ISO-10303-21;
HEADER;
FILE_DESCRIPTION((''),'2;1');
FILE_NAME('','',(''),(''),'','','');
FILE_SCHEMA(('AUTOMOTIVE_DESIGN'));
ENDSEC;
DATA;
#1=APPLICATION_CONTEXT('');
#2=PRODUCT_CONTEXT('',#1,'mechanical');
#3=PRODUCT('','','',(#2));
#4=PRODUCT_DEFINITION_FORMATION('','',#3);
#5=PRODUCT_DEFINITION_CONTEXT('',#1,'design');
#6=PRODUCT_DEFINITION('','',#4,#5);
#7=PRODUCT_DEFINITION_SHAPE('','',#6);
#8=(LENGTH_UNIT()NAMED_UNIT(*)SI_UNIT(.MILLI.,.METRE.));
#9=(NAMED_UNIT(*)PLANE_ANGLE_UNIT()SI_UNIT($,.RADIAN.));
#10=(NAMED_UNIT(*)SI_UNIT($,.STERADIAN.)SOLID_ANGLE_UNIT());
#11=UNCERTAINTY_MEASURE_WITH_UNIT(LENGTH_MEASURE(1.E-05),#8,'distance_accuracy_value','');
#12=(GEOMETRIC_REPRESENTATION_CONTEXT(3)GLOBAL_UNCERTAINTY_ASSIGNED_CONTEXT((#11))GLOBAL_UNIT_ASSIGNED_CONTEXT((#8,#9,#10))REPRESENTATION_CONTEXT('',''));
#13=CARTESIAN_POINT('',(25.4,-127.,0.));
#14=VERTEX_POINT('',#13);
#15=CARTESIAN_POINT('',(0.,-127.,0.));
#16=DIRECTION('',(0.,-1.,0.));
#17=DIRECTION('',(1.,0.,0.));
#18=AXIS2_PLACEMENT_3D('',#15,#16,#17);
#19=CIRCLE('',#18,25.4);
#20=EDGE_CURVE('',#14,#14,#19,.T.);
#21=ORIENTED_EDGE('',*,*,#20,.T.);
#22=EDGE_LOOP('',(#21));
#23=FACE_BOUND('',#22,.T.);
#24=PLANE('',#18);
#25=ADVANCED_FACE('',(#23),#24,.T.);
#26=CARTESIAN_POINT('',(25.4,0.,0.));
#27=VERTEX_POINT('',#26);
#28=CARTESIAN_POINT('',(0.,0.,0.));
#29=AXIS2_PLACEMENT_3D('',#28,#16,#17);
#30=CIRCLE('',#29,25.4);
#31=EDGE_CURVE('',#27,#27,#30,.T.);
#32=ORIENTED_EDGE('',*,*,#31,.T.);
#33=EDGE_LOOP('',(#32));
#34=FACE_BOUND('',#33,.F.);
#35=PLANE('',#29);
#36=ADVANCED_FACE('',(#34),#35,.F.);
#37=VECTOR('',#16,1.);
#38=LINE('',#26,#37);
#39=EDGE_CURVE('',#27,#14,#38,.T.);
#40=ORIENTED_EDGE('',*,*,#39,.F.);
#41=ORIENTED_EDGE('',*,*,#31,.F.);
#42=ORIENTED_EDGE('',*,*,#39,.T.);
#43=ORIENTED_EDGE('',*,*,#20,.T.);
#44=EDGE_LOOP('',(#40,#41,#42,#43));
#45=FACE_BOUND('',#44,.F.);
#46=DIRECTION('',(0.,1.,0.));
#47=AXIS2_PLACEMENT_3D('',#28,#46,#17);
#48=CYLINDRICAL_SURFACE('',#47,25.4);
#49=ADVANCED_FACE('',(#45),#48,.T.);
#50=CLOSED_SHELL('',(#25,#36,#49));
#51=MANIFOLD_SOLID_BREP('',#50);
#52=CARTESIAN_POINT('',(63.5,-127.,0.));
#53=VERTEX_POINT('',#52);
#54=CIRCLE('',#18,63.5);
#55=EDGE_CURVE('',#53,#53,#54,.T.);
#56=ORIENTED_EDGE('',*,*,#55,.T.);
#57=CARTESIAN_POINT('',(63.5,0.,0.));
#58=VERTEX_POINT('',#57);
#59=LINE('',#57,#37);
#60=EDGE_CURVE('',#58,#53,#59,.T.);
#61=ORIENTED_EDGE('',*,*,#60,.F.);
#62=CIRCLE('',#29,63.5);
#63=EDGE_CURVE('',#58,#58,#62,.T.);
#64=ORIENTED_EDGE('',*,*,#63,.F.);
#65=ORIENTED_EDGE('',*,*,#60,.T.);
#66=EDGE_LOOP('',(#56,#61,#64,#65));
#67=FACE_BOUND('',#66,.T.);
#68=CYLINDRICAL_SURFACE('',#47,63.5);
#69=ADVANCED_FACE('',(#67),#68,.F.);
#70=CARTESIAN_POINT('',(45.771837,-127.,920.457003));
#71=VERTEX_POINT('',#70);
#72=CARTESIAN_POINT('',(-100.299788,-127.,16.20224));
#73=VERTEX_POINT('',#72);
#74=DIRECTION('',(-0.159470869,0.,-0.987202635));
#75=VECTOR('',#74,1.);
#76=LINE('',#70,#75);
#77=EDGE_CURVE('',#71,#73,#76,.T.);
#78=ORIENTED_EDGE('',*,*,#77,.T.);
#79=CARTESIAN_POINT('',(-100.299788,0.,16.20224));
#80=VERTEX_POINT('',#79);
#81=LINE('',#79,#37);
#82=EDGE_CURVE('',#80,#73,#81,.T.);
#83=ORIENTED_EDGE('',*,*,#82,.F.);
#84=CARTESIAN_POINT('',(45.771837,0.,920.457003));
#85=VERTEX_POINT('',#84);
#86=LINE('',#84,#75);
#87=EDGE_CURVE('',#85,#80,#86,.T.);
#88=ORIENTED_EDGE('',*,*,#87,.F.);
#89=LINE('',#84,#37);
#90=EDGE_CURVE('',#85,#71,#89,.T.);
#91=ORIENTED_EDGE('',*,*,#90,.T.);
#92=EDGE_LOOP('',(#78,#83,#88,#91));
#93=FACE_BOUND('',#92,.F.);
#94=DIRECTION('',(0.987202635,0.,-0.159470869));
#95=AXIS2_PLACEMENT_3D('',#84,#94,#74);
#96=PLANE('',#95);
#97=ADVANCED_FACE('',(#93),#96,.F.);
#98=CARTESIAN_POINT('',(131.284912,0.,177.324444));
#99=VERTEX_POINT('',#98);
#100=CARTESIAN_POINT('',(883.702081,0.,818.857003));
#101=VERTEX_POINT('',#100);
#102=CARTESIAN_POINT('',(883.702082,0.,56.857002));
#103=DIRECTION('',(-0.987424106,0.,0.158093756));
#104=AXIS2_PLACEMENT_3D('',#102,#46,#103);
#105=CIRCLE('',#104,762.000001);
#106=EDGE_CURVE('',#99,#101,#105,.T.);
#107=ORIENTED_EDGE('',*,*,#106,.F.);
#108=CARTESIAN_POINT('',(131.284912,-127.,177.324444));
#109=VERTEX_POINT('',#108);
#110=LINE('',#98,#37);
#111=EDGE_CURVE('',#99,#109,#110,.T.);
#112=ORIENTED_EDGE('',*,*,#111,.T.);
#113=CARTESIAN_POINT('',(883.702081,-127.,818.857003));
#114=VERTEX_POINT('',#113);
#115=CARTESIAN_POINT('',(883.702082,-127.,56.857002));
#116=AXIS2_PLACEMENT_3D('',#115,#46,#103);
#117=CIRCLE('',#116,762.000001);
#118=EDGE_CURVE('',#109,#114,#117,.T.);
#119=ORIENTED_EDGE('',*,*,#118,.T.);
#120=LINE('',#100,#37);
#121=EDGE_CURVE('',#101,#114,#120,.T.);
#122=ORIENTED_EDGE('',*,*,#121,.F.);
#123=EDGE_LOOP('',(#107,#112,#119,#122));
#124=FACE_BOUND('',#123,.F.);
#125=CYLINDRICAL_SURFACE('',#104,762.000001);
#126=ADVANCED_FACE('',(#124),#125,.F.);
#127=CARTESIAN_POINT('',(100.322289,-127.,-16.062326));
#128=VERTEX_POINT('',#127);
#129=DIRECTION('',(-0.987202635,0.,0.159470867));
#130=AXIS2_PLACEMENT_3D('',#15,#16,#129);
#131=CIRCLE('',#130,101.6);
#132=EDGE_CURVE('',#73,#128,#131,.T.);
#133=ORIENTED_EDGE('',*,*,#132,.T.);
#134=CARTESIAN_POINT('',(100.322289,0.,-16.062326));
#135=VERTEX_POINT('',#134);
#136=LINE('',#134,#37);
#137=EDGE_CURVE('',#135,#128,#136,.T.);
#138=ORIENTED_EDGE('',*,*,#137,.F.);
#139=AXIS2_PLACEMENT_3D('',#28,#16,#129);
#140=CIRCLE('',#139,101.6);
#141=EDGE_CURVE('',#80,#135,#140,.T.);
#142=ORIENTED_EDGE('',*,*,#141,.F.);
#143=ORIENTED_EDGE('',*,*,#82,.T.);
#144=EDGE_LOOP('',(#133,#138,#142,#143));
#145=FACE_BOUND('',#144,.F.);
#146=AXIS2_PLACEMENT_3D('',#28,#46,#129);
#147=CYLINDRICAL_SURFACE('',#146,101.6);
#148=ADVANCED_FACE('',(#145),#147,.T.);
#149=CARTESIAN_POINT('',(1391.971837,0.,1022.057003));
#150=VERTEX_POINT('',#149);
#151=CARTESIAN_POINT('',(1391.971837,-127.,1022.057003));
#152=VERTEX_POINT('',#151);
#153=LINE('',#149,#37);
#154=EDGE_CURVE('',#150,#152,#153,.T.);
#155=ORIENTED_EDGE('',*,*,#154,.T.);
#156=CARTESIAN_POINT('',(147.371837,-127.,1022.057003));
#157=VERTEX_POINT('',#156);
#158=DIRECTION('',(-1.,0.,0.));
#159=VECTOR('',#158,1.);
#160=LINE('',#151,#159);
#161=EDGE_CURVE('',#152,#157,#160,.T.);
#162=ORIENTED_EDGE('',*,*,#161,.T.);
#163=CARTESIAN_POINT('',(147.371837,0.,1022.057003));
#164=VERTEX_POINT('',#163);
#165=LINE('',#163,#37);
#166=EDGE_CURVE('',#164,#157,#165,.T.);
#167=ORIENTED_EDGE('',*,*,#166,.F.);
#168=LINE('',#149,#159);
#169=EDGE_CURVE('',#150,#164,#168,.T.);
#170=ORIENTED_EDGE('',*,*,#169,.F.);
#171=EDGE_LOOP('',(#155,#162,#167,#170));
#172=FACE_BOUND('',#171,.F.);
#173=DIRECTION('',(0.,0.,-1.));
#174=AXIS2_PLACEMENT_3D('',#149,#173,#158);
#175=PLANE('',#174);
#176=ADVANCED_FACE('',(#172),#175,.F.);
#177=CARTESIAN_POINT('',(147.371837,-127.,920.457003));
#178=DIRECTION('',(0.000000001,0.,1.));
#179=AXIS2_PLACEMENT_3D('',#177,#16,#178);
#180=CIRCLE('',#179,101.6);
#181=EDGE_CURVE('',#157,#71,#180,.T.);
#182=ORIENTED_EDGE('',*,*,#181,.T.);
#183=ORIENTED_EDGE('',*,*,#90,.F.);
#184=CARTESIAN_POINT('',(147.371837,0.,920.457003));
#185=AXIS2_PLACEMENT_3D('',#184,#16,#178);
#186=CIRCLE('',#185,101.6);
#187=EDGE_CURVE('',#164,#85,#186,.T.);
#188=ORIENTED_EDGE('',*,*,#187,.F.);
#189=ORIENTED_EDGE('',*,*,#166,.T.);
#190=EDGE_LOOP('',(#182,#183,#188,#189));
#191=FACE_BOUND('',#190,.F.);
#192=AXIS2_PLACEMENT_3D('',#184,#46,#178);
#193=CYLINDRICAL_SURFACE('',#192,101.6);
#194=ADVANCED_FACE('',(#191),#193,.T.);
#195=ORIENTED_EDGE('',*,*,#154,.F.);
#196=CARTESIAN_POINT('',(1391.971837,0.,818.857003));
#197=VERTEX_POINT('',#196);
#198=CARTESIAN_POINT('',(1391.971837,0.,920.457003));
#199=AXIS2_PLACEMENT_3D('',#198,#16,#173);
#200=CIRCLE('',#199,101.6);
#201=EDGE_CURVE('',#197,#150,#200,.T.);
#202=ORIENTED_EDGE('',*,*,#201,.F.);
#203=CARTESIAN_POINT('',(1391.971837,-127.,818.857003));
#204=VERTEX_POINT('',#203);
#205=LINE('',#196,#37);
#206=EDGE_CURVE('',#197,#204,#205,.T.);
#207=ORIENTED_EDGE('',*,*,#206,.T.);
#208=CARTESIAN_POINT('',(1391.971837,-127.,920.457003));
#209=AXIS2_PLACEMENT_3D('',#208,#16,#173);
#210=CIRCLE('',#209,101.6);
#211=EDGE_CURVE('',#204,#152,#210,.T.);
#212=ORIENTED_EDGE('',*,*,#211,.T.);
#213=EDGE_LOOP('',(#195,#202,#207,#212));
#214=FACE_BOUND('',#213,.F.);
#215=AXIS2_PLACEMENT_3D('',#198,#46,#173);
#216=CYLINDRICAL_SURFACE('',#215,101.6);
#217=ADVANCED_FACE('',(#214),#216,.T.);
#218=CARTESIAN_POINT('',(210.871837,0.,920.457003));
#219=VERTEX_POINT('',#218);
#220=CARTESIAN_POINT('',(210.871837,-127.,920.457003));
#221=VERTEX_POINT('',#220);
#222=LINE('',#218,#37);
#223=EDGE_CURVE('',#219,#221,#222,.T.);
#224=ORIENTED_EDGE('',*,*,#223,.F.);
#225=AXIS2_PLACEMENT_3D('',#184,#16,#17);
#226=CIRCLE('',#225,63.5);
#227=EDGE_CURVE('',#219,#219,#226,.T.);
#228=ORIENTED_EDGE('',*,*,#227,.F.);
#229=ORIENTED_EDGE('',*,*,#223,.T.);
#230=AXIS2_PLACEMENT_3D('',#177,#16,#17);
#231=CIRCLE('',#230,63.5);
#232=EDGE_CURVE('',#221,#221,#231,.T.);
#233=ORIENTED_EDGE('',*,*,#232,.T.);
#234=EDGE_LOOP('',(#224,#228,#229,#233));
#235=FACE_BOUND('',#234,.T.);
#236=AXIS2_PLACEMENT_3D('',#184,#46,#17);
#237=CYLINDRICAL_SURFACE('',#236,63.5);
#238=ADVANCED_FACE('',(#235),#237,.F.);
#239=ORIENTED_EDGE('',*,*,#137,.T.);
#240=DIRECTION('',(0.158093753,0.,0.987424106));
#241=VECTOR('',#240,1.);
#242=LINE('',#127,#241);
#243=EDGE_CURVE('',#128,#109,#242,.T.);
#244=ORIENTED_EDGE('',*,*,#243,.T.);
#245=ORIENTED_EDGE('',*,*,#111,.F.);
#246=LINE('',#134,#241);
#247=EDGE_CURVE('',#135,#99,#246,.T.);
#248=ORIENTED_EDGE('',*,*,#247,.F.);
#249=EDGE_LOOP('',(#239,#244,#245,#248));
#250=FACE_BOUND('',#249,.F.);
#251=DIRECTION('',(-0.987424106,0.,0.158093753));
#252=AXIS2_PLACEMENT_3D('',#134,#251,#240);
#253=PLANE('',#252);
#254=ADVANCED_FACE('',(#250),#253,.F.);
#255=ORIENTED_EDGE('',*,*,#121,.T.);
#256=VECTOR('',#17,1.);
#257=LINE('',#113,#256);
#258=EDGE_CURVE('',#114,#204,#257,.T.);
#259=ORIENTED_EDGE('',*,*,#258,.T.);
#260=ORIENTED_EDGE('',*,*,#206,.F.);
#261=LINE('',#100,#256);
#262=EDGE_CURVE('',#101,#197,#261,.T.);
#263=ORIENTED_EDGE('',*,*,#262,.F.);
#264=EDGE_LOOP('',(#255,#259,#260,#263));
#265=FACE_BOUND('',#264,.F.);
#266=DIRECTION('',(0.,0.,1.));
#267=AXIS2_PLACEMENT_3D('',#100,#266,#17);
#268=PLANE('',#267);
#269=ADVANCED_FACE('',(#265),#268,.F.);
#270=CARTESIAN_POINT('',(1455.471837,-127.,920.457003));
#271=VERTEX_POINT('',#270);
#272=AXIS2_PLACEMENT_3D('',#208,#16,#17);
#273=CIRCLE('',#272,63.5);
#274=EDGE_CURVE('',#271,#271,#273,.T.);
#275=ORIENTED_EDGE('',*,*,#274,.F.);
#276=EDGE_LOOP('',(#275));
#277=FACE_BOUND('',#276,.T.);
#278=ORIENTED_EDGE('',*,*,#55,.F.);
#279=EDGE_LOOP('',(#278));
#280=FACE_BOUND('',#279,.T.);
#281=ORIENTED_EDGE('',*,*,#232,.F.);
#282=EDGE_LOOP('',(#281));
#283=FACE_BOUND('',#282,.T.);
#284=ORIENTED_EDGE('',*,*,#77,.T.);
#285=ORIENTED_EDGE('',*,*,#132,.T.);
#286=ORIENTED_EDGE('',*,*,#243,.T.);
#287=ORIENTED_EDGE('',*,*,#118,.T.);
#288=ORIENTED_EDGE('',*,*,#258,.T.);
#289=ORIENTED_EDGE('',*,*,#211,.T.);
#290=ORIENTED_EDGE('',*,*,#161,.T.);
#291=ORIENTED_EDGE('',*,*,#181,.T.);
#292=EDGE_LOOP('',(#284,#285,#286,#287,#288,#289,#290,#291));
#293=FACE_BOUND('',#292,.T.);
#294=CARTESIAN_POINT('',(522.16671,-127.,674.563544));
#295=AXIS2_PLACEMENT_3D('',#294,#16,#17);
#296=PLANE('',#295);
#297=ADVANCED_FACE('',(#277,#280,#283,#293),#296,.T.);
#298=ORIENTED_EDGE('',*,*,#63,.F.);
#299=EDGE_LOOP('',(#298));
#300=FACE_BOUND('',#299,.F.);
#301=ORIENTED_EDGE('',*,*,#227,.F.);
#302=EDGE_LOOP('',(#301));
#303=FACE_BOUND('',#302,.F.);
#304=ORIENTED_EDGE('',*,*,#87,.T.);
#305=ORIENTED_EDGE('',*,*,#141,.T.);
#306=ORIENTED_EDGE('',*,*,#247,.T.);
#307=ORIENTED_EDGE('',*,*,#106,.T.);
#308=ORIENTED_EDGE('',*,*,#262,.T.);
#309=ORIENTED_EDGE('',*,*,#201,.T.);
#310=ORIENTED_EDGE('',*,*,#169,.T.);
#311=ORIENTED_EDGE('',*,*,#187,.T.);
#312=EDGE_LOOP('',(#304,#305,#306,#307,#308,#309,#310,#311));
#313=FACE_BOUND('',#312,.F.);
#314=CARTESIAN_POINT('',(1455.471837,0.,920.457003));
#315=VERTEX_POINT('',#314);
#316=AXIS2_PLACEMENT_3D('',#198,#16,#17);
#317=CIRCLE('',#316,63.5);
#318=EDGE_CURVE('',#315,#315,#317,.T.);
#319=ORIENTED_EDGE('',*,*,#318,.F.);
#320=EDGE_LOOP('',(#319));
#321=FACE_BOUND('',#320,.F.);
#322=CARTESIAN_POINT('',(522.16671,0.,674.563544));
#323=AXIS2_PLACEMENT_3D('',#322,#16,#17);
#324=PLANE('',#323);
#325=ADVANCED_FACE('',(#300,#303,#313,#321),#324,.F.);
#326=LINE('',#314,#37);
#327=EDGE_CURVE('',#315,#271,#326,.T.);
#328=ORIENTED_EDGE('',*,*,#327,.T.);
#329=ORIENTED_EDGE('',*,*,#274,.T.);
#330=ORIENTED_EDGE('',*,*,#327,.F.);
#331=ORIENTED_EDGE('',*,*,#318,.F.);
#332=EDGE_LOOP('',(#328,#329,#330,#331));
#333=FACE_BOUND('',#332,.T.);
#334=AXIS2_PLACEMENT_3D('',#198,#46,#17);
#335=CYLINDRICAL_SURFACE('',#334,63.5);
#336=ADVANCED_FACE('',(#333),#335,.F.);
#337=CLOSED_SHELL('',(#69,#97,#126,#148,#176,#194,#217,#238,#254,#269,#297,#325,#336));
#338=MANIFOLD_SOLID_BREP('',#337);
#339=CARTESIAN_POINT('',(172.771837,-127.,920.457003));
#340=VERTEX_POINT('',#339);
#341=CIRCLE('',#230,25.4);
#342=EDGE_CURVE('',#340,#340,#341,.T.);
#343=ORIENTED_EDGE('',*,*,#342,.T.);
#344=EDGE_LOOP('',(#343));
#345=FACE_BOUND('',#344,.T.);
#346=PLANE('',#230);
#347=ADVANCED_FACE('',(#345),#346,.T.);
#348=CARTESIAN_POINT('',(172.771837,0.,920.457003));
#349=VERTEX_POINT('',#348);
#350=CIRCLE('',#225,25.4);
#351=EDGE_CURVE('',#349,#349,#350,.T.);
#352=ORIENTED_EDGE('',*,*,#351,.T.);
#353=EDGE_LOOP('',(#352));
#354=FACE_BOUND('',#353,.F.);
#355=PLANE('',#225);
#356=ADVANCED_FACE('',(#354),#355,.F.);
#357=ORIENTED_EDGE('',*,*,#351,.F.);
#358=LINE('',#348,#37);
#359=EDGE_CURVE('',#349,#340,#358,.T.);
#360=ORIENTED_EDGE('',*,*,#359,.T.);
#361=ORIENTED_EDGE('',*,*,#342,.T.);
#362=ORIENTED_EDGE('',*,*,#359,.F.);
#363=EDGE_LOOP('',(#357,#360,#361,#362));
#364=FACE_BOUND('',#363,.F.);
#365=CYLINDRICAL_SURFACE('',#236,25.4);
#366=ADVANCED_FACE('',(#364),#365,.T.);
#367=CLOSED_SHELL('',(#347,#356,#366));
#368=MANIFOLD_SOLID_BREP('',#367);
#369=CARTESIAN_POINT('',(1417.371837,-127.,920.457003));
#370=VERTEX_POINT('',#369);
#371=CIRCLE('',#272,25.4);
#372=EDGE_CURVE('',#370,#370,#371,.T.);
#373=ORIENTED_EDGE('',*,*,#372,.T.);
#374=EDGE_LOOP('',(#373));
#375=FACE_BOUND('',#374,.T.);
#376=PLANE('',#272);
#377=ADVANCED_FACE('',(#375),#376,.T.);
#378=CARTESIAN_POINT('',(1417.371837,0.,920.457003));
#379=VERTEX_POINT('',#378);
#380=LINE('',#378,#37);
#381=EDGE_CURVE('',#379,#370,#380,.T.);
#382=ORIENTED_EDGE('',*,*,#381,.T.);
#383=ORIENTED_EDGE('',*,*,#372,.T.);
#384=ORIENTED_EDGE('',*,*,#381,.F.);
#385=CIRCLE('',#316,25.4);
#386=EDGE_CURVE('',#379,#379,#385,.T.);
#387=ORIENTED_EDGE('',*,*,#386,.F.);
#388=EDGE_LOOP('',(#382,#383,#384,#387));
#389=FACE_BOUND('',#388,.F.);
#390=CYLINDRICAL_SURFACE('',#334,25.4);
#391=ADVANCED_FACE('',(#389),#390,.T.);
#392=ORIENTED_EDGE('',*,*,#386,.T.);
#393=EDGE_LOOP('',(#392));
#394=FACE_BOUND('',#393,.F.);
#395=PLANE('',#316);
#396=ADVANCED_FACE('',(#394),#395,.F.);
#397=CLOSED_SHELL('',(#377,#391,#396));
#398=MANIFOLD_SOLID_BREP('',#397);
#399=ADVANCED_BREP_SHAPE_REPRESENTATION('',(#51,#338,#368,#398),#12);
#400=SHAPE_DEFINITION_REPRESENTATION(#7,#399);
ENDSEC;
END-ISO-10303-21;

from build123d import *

# Parameters (mm, degrees)
F0_R     = 63.5
F0_R_2   = 25.4
F1_DEPTH = 127


with BuildPart() as f1:
    # F0 (on Front) → F1 (new body)
    with BuildSketch(Plane.XZ):
        with BuildLine():
            Line((1391.971837, 1022.057003), (147.371837, 1022.057003))
            ThreePointArc((147.371837, 1022.057003), (75.529788, 992.299052), (45.771837, 920.457003))
            Line((45.771837, 920.457003), (-100.299788, 16.20224))
            ThreePointArc((-100.299788, 16.20224), (-16.132287, -100.311063), (100.322289, -16.062326))
            Line((100.322289, -16.062326), (131.284912, 177.324444))
            ThreePointArc((131.284912, 177.324444), (389.309621, 636.701892), (883.702081, 818.857003))
            Line((883.702081, 818.857003), (1391.971837, 818.857003))
            ThreePointArc((1391.971837, 818.857003), (1493.571837, 920.457003), (1391.971837, 1022.057003))
        make_face()
        Circle(F0_R, mode=Mode.SUBTRACT)
        with Locations((147.371837, 920.457003)):
            Circle(F0_R, mode=Mode.SUBTRACT)
        with Locations((1391.971837, 920.457003)):
            Circle(F0_R, mode=Mode.SUBTRACT)
        with Locations((147.371837, 920.457003)):
            Circle(F0_R_2)
        Circle(F0_R_2)
        with Locations((1391.971837, 920.457003)):
            Circle(F0_R_2)
    extrude(amount=F1_DEPTH)


solid = f1.part
